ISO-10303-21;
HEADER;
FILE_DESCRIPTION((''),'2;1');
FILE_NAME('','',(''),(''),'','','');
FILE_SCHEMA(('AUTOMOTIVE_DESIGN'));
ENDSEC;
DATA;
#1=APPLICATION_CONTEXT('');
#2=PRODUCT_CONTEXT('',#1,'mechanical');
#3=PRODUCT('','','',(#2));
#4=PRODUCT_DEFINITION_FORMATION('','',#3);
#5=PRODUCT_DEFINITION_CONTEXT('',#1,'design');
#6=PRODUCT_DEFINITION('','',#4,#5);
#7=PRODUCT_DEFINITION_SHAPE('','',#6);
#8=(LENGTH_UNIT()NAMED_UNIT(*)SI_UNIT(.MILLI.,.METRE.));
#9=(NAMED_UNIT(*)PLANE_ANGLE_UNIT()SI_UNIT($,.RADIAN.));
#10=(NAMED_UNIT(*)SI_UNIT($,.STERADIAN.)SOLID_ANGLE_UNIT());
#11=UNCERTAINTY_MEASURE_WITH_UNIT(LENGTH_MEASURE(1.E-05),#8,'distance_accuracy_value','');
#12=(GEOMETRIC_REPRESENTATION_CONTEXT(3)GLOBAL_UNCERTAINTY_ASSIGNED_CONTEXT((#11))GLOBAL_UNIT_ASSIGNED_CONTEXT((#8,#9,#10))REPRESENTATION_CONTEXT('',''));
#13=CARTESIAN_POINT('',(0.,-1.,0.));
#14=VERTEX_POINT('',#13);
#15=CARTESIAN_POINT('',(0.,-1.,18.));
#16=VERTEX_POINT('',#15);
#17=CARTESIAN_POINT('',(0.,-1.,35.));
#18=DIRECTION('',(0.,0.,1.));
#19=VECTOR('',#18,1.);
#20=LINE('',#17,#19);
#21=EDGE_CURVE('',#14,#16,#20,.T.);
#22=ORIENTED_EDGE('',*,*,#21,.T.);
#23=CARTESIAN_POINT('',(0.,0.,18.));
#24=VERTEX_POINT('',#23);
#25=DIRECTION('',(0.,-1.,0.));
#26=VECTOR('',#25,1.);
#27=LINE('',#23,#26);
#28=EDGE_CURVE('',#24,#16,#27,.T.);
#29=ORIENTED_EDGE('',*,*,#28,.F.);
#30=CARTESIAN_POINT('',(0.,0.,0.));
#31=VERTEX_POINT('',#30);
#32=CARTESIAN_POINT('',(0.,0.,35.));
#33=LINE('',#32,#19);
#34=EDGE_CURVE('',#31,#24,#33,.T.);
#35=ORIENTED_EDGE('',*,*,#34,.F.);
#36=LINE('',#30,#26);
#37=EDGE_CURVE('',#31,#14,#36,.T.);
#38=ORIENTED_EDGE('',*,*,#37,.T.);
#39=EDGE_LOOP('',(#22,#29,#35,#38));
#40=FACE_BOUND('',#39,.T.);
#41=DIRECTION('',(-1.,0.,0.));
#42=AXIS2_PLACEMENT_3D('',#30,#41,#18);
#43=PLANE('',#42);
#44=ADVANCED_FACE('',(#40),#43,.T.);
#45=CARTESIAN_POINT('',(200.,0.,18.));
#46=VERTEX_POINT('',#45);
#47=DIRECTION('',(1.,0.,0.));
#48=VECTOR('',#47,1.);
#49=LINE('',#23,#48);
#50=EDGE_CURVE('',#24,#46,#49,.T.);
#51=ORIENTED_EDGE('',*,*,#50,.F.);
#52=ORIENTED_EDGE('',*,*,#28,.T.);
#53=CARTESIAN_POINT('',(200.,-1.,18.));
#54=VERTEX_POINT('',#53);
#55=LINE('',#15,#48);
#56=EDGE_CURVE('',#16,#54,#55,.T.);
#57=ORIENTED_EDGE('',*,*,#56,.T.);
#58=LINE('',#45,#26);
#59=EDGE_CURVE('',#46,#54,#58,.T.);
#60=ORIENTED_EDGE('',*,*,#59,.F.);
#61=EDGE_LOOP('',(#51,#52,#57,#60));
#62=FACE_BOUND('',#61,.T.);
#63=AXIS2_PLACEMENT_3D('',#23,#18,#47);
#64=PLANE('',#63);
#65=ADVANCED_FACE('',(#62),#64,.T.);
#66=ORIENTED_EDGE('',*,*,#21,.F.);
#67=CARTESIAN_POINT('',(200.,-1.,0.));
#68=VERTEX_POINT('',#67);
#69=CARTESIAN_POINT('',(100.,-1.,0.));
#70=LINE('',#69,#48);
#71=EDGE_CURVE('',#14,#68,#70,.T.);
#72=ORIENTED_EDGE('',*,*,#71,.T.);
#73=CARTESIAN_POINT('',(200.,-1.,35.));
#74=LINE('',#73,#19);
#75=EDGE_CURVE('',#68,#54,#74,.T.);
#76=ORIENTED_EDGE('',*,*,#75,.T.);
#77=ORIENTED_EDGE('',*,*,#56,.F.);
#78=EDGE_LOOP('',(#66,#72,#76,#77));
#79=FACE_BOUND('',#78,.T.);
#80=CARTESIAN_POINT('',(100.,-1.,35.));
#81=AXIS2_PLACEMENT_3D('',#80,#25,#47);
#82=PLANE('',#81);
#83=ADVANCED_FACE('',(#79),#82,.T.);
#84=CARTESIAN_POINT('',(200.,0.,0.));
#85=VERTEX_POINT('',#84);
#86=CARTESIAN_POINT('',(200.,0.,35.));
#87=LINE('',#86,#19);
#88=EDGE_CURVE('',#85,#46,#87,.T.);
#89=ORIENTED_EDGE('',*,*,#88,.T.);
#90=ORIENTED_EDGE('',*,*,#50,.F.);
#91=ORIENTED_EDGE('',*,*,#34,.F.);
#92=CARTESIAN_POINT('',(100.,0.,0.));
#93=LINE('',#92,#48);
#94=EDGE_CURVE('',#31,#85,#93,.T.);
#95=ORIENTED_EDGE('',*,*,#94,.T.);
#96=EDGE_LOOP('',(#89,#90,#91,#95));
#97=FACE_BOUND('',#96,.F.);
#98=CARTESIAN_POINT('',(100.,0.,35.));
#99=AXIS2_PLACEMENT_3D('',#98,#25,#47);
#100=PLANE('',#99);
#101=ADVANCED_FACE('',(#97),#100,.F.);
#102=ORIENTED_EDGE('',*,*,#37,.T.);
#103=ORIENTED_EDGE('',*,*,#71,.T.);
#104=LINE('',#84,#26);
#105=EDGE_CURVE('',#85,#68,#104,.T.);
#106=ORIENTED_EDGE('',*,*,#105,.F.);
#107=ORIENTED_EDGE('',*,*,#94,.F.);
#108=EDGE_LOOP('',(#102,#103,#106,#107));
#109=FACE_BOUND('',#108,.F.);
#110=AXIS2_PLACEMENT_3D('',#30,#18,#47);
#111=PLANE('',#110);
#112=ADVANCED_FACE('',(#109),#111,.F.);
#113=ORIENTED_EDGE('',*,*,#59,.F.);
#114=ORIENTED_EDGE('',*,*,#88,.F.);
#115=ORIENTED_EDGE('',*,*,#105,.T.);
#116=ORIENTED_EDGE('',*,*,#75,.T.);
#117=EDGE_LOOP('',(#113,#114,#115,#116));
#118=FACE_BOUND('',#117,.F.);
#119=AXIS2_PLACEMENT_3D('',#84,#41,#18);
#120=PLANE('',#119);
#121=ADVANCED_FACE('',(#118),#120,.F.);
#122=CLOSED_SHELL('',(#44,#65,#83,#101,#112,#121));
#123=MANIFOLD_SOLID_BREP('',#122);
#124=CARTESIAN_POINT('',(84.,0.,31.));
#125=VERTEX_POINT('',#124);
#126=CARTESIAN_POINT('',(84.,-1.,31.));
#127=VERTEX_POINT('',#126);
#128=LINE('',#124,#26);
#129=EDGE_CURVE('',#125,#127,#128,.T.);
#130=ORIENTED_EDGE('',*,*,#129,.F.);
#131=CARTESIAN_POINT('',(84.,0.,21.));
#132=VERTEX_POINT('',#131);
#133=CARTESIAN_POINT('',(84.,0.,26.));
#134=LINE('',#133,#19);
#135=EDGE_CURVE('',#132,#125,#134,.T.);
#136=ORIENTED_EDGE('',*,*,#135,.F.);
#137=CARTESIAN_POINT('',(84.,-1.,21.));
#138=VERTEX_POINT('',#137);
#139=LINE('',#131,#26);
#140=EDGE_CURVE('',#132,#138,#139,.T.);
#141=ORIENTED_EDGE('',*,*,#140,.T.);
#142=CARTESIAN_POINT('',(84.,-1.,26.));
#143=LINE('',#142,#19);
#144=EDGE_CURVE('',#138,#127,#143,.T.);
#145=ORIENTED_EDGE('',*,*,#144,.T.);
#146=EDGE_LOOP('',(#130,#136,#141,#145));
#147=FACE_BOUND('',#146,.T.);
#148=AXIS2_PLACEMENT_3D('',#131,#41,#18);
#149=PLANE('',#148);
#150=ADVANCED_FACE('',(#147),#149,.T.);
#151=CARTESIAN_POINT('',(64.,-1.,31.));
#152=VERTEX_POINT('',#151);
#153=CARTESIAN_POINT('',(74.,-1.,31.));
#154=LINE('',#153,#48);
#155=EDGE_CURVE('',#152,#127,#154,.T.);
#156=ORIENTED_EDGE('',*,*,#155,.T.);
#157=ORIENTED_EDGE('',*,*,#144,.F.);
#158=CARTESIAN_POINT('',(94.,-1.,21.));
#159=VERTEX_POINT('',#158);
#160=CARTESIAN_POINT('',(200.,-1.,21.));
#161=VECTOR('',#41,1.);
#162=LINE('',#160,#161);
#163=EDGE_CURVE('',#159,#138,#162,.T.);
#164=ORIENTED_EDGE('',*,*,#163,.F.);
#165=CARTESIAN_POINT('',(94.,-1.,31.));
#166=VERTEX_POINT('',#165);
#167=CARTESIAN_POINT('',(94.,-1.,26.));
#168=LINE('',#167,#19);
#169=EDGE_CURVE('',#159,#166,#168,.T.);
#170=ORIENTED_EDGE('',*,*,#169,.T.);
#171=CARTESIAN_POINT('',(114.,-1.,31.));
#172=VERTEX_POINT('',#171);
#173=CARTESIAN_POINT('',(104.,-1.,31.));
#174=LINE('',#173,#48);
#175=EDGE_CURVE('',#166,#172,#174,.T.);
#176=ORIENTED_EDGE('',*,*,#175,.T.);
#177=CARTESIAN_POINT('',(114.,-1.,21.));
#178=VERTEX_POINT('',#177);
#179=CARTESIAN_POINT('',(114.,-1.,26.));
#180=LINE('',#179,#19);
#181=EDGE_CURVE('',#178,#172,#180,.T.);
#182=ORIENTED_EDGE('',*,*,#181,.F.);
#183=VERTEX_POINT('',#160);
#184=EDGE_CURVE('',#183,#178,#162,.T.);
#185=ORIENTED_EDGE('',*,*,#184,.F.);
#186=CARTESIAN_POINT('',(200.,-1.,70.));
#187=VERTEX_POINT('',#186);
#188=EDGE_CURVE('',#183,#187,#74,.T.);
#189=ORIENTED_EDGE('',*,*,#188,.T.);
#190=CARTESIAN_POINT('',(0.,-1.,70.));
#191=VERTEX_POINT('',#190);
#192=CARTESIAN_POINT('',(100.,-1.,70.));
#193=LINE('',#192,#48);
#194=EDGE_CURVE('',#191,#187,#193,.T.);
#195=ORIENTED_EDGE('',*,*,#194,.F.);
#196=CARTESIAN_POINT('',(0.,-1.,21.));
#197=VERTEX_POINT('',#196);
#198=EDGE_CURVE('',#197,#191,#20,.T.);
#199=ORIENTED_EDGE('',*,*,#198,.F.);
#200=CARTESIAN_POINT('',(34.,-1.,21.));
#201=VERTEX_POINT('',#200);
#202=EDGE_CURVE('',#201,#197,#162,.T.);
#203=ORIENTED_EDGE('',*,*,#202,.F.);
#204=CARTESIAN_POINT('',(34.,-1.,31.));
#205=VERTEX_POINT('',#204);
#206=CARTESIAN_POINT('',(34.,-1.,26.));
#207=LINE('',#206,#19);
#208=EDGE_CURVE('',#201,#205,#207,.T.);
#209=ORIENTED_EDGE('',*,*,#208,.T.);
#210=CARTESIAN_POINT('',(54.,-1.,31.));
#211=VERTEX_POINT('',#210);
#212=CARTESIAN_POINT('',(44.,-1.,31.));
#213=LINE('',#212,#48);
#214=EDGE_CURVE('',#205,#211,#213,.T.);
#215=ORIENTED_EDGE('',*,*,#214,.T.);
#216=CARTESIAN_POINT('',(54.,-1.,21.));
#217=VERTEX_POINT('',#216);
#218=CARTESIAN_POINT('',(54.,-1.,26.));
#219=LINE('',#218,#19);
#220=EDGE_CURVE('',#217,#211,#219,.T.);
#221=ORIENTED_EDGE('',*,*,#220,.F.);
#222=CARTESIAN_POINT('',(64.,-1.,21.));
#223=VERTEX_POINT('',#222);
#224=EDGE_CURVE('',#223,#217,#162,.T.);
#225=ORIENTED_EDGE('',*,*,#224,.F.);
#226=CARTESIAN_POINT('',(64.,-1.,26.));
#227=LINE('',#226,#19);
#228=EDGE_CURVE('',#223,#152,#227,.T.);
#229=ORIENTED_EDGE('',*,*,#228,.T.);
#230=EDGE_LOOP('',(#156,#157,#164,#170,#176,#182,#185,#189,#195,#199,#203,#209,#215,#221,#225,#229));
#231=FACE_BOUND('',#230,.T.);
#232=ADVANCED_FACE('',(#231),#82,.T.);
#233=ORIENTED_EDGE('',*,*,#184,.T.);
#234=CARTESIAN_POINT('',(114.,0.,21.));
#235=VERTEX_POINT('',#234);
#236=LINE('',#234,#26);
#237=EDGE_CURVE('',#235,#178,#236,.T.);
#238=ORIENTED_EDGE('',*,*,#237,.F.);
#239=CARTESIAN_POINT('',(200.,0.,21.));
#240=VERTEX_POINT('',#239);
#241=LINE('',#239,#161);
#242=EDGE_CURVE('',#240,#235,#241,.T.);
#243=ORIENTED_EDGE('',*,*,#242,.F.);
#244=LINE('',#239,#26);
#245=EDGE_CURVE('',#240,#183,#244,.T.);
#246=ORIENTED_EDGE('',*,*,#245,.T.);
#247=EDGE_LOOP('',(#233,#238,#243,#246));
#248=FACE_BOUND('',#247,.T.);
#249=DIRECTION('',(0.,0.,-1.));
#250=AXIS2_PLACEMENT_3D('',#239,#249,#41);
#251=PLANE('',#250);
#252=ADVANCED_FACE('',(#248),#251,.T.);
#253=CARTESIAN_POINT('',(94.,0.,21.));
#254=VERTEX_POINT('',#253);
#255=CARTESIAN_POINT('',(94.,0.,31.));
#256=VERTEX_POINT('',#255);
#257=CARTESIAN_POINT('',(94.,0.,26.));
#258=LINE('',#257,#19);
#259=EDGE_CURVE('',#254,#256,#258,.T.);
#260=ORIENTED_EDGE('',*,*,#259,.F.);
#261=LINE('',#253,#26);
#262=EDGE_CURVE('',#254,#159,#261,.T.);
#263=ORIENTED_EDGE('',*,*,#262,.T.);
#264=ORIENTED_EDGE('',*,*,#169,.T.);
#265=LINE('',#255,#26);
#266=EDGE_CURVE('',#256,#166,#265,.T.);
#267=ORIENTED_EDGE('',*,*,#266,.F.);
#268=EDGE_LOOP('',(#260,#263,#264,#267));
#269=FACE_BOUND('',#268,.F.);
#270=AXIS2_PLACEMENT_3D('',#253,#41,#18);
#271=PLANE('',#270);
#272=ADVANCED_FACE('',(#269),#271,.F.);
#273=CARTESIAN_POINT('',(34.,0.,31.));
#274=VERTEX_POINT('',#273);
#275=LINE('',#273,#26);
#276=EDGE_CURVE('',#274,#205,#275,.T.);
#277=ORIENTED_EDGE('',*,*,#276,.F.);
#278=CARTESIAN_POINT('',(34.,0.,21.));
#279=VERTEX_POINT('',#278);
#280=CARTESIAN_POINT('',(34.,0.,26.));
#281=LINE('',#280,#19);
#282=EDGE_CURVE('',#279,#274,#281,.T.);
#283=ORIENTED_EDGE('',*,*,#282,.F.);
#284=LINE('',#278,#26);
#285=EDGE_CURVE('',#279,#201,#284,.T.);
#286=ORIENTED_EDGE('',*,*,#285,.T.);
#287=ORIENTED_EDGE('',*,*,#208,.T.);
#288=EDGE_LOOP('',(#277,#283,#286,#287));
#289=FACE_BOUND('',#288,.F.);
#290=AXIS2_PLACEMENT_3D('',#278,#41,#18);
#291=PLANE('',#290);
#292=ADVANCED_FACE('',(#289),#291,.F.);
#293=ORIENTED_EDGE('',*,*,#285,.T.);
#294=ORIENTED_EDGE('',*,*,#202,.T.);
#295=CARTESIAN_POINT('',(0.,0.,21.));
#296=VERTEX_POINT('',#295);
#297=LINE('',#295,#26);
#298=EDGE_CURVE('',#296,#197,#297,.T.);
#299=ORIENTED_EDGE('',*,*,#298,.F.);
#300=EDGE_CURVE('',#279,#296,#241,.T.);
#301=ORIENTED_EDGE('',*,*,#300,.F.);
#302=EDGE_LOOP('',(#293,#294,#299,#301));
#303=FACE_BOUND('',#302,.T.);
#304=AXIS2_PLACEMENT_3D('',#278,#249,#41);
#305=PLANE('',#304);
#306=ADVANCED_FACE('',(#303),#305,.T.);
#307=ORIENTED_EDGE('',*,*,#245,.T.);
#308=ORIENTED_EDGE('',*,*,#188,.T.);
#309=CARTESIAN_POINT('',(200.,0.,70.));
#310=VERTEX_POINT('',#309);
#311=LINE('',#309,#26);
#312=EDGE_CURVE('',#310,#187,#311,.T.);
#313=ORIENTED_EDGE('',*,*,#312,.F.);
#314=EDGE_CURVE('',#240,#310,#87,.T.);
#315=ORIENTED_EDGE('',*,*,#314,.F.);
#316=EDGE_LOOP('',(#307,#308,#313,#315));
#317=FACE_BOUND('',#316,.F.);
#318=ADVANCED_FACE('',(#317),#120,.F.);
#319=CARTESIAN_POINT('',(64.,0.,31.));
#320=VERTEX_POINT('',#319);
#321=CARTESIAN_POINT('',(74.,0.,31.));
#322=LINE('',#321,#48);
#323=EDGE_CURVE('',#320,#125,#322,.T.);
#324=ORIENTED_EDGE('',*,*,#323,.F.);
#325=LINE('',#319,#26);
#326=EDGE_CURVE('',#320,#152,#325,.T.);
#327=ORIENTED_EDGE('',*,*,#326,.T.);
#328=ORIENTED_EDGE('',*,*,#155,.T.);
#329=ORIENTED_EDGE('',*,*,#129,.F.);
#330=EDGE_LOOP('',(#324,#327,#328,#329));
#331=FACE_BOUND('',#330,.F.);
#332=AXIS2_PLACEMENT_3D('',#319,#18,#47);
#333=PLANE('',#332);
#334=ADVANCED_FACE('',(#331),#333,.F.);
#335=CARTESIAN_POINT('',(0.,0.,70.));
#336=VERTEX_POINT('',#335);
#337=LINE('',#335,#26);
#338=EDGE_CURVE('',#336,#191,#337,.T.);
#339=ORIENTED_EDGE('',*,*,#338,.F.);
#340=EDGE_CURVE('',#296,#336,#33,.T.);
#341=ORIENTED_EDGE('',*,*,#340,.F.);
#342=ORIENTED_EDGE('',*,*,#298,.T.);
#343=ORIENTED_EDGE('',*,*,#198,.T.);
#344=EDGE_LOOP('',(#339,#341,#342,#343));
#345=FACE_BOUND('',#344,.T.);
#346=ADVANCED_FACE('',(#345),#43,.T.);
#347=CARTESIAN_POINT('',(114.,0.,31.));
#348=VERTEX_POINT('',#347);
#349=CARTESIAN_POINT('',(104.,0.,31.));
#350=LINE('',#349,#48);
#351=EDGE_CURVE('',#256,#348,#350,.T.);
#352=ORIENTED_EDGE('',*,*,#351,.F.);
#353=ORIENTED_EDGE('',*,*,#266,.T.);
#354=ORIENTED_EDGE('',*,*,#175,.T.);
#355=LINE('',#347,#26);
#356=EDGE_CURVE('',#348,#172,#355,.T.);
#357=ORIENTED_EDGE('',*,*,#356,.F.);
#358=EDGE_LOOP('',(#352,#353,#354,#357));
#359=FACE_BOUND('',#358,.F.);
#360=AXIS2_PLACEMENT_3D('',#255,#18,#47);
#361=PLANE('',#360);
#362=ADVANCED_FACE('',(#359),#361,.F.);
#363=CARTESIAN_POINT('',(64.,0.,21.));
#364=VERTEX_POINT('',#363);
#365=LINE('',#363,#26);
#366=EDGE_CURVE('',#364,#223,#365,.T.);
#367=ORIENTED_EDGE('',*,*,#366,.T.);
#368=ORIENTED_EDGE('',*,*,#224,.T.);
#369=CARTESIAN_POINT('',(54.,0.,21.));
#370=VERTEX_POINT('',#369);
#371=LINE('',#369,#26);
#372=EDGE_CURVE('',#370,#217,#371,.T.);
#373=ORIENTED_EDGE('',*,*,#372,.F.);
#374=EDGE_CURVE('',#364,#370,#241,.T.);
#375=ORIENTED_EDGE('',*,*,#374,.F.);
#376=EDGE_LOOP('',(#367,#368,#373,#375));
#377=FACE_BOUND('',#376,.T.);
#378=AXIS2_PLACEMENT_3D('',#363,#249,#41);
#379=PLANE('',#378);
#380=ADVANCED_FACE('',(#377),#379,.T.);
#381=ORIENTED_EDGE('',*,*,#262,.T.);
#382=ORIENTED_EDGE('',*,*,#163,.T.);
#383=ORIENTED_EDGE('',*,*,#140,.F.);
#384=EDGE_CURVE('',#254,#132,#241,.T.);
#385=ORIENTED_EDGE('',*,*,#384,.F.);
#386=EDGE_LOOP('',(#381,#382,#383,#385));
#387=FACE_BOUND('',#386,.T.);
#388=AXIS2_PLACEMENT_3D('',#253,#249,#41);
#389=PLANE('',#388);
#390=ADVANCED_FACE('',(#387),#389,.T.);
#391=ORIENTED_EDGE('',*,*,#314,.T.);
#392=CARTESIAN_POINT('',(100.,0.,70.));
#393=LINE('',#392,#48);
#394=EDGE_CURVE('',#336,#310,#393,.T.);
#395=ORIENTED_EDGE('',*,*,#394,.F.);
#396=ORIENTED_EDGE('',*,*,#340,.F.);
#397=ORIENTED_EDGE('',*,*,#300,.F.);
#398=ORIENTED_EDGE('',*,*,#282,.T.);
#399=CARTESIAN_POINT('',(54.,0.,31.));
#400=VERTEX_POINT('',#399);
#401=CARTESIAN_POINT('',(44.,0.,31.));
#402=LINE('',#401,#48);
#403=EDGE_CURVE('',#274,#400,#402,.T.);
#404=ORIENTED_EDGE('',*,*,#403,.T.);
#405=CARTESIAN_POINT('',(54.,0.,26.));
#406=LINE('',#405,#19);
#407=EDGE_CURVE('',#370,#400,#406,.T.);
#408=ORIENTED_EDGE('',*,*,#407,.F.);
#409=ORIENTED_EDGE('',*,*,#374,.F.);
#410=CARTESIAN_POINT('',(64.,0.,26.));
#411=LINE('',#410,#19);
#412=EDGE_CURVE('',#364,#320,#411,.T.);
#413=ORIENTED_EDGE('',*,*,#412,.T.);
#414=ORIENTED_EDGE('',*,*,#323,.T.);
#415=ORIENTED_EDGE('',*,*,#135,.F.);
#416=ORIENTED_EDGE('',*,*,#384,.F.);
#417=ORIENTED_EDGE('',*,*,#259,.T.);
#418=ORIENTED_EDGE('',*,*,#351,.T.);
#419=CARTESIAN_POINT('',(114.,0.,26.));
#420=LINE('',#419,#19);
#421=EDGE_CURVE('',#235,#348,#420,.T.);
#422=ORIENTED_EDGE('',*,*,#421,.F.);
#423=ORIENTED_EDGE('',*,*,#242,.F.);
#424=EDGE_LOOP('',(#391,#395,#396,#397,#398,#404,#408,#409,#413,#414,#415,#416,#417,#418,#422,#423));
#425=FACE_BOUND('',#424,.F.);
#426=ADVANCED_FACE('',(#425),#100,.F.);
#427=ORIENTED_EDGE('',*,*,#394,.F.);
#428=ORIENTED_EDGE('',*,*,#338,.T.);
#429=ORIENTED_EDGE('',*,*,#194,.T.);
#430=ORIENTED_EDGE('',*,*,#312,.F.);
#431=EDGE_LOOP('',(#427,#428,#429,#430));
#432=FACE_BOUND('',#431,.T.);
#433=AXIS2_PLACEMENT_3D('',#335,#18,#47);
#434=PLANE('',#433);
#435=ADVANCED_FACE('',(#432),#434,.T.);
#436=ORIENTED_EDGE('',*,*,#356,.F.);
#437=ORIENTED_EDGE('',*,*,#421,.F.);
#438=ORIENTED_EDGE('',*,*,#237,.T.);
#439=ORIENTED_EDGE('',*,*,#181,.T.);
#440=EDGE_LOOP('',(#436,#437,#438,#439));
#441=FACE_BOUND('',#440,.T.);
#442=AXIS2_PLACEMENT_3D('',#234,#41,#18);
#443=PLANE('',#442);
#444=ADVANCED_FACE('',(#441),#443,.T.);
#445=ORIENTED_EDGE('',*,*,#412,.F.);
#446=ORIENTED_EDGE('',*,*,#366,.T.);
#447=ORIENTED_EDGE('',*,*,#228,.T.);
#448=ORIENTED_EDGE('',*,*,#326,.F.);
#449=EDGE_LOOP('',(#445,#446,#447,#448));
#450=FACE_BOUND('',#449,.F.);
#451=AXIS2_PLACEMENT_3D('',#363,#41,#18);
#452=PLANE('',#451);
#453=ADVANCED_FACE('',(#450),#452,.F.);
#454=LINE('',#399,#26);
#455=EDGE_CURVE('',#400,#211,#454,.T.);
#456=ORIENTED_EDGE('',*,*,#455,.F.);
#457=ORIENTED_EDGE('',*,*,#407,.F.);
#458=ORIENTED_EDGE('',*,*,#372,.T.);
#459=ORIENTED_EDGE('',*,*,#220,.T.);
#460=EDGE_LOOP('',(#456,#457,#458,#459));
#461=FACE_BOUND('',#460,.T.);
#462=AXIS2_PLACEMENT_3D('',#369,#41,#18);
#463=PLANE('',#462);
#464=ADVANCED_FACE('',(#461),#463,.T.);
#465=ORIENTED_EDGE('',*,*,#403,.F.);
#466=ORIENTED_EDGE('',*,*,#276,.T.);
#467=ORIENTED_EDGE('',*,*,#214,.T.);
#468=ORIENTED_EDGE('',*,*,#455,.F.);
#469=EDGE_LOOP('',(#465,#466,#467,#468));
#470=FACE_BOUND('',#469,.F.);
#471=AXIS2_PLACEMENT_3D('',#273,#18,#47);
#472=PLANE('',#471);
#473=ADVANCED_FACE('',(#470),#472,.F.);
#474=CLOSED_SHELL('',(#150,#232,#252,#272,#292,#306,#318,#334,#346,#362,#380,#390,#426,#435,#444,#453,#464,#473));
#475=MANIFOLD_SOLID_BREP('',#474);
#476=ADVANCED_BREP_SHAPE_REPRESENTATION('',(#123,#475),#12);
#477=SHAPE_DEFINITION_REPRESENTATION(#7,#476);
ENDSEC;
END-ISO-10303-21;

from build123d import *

# Parameters (mm, degrees)
F0_W     = 20
F0_H     = 10
F1_DEPTH = 1
F2_W     = 200
F2_H     = 70
F3_DEPTH = 1


with BuildPart() as f1:
    # F0 (on Front) → F1 (new body)
    with BuildSketch(Plane.XZ):
        Polygon((0, 21), (0, 18), (200, 18), (200, 21), (114, 21), (94, 21), (84, 21), (64, 21), (54, 21), (34, 21), align=None)
        with Locations((44, 26)):
            Rectangle(F0_W, F0_H)
        with Locations((104, 26)):
            Rectangle(F0_W, F0_H)
        with Locations((74, 26)):
            Rectangle(F0_W, F0_H)
    extrude(amount=F1_DEPTH)


with BuildPart() as f3:
    # F2 (on Front) → F3 (new body)
    with BuildSketch(Plane.XZ):
        with Locations((100, 35)):
            Rectangle(F2_W, F2_H)
    extrude(amount=F3_DEPTH)

    # F4: cut F1
    add(f1.part, mode=Mode.SUBTRACT)


solid = f3.part
